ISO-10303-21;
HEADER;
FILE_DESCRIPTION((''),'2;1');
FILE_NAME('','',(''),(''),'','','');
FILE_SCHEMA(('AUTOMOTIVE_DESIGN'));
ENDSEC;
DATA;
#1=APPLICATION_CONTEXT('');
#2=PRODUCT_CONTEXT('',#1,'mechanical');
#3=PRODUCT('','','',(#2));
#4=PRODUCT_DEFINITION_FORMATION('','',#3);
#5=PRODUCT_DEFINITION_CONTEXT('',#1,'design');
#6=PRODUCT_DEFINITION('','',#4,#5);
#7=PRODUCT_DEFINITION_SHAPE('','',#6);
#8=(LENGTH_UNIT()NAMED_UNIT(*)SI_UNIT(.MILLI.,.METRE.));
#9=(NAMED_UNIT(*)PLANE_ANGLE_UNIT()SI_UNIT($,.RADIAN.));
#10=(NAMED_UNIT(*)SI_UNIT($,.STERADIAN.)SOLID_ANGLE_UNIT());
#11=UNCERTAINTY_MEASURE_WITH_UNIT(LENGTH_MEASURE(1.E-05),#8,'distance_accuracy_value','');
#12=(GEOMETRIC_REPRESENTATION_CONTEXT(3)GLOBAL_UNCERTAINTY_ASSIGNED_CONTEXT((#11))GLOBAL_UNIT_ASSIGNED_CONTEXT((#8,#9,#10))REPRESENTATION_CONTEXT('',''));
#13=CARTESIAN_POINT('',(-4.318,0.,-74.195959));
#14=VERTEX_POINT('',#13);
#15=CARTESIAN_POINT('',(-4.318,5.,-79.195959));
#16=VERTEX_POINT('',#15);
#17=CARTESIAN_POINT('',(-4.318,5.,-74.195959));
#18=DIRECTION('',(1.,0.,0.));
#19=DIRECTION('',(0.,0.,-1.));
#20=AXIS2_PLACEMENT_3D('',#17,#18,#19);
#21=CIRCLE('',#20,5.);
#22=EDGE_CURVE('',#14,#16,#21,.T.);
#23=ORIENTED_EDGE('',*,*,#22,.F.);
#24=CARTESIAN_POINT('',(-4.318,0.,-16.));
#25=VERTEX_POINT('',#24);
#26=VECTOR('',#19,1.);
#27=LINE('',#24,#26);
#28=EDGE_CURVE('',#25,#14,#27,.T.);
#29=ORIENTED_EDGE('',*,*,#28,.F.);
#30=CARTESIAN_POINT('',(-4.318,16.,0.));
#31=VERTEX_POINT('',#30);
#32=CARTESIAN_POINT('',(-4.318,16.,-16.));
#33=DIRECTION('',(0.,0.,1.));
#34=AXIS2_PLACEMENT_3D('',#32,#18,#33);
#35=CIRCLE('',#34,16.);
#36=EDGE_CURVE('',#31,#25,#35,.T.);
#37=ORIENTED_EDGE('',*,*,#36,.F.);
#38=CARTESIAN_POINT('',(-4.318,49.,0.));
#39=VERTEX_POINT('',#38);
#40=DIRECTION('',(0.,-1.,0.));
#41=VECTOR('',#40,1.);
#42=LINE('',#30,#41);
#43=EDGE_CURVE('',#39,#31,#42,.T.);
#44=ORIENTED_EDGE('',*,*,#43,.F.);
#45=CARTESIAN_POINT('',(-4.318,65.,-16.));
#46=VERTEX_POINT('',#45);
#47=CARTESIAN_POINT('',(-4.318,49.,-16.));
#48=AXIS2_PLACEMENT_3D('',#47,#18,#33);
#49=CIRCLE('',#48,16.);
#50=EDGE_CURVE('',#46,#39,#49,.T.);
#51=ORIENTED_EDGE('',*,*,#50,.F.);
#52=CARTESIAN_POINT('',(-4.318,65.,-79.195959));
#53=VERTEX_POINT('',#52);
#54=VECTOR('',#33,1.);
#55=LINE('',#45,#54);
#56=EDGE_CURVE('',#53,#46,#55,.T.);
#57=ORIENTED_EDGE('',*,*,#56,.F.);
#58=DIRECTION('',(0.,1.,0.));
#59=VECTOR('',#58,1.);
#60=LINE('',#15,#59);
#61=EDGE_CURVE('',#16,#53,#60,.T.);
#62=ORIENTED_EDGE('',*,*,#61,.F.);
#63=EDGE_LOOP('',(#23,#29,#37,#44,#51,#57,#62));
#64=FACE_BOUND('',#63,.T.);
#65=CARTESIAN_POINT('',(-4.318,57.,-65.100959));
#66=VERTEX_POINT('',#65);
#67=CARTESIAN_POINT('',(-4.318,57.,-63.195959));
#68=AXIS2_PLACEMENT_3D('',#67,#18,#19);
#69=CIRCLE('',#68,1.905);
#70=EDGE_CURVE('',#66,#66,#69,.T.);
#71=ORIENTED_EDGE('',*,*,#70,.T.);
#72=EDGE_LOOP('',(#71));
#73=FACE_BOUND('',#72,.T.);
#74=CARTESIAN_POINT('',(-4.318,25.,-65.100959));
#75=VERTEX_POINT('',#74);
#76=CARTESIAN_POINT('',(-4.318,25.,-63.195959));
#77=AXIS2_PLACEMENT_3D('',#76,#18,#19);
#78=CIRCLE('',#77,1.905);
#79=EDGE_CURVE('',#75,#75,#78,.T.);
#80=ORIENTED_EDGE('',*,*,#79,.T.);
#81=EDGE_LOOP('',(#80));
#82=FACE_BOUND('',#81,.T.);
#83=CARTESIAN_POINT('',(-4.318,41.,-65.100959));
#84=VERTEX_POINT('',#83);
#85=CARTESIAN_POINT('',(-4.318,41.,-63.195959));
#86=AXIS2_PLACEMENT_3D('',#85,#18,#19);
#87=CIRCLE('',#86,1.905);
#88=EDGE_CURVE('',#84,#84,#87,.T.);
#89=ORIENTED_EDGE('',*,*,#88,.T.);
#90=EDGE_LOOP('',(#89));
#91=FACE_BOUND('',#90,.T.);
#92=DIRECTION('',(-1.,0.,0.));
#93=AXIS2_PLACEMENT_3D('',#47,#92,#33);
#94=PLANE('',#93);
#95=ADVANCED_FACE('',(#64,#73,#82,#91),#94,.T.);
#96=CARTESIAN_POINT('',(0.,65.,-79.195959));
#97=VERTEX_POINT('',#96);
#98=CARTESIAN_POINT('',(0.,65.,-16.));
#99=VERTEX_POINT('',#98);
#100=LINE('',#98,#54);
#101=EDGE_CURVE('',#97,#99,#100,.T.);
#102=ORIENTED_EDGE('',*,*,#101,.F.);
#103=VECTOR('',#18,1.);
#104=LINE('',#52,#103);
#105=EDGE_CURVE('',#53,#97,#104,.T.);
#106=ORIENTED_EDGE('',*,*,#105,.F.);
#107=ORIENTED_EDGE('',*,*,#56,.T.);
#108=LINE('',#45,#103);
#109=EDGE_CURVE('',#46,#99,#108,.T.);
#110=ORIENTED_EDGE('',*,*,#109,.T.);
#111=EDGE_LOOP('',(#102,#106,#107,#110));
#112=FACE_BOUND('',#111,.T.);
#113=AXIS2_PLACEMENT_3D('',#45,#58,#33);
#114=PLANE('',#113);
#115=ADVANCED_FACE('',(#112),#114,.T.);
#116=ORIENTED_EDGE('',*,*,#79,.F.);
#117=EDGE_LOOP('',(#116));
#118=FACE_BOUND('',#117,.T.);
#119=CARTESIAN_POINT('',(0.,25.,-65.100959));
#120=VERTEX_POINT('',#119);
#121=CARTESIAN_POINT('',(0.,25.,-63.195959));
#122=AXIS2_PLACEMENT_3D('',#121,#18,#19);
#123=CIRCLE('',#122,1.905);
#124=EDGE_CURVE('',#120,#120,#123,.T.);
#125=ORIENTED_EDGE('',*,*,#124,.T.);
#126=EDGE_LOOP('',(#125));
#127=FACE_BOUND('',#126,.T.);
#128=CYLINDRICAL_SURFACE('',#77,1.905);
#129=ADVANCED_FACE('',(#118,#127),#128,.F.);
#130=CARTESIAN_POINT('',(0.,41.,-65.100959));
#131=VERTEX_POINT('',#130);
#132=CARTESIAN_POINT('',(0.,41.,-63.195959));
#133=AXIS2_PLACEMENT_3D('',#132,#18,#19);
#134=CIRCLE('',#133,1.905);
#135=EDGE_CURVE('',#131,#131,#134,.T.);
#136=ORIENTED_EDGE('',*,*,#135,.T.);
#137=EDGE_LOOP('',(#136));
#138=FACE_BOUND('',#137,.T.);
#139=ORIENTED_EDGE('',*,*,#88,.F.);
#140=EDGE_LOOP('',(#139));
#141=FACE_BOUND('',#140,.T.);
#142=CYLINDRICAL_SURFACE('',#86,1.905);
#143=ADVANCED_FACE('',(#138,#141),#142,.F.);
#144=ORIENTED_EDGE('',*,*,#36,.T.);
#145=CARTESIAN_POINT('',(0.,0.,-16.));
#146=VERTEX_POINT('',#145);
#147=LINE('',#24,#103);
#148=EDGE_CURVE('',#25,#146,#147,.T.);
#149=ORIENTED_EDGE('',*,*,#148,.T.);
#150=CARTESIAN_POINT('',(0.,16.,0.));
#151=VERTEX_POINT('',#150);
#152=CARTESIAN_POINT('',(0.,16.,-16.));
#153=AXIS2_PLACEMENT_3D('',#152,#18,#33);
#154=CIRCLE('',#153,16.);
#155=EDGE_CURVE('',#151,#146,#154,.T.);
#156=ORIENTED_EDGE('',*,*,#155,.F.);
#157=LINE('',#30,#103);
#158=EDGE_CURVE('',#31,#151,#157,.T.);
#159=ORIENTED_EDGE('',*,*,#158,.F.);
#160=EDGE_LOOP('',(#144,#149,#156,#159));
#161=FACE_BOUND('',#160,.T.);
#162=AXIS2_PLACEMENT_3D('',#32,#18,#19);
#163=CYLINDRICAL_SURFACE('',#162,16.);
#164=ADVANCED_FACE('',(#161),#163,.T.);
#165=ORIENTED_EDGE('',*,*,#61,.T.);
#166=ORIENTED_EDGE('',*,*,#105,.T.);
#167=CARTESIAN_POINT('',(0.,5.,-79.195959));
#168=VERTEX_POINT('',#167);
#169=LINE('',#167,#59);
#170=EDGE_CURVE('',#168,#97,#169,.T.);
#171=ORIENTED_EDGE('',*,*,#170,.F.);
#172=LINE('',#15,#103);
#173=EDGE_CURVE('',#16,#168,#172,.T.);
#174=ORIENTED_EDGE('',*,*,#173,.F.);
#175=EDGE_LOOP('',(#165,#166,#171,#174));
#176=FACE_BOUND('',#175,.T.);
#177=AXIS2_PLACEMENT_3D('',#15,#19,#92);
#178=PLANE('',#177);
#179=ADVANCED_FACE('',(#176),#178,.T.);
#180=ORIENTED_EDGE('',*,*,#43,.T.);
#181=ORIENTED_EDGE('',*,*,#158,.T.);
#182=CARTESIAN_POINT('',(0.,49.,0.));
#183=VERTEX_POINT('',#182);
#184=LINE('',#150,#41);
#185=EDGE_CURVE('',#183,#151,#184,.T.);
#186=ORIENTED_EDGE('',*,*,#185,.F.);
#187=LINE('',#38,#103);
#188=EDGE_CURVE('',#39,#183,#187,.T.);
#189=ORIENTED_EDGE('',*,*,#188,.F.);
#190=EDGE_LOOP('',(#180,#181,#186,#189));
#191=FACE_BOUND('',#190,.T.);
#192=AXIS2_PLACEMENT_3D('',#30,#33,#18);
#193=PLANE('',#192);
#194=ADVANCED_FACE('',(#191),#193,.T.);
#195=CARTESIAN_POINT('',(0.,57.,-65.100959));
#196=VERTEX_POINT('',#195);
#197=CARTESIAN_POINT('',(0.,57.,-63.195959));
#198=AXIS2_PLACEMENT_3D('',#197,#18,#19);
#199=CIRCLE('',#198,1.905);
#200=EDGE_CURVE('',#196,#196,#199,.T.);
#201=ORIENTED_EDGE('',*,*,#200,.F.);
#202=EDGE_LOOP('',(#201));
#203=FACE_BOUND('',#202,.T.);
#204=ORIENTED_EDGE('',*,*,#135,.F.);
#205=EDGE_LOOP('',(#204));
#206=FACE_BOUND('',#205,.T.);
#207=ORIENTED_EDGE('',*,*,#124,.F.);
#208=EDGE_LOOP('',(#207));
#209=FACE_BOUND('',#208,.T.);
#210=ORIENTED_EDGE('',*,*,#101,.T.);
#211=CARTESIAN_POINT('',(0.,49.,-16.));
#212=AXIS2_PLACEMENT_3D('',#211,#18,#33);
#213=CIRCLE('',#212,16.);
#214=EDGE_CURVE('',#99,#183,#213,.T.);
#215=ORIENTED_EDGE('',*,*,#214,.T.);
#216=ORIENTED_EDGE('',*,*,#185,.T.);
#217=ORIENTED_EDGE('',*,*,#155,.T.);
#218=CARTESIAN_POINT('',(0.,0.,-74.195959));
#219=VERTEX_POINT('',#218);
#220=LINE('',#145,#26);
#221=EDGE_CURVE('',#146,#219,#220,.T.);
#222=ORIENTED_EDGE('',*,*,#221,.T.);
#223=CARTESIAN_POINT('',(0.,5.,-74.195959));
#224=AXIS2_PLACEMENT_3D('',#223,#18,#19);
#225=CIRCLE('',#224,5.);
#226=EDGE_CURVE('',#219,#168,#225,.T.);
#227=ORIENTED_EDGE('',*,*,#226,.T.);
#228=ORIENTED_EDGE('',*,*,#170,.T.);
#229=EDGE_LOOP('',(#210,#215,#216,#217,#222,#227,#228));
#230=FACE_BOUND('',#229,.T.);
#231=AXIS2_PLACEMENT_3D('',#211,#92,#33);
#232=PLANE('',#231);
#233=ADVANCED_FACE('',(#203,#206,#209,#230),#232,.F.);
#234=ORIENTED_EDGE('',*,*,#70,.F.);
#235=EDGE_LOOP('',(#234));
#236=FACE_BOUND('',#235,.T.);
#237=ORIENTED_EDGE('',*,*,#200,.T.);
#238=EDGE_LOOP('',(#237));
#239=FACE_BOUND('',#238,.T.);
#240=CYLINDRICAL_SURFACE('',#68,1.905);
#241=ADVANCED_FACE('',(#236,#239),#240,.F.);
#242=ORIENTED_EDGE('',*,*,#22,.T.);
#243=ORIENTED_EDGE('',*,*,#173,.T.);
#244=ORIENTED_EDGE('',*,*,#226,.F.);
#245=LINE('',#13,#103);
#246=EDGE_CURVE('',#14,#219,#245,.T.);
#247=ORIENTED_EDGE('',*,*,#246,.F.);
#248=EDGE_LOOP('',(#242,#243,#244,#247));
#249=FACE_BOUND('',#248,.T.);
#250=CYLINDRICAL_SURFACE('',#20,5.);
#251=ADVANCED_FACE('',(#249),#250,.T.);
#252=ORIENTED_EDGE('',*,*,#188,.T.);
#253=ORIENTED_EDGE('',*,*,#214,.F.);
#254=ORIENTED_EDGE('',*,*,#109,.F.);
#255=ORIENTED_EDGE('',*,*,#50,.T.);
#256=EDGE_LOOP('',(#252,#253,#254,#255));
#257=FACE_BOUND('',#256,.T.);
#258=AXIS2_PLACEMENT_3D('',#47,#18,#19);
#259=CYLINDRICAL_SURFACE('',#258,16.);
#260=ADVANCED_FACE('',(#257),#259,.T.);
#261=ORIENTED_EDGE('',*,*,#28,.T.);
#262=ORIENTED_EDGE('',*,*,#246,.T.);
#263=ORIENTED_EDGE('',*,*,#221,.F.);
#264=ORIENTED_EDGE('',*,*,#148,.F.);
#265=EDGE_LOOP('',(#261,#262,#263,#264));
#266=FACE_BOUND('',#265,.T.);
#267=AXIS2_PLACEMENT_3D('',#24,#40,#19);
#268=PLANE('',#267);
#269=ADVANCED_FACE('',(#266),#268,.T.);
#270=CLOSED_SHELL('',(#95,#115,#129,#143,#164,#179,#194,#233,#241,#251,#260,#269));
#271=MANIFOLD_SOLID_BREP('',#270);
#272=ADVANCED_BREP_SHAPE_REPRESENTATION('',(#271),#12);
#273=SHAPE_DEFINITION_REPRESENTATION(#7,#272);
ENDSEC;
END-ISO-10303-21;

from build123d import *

# Parameters (mm, degrees)
SKETCH1_R           = 1.905
BOSS_EXTRUDE1_DEPTH = 4.318


with BuildPart() as part:
    # Sketch1 → Boss-Extrude1 (new body)
    with BuildSketch(Plane(origin=(0, 0, 0), x_dir=(0, 0, -1), z_dir=(1, 0, 0))):
        with BuildLine():
            Line((16, 0), (74.195959493, 0))
            ThreePointArc((74.195959493, 0), (77.731493399, 1.464466094), (79.195959493, 5))
            Line((79.195959493, 5), (79.195959493, 65))
            Line((79.195959493, 65), (16, 65))
            ThreePointArc((16, 65), (4.686291501, 60.313708499), (0, 49))
            Line((0, 49), (0, 16))
            ThreePointArc((0, 16), (4.686291501, 4.686291501), (16, 0))
        make_face()
        with Locations((63.195959493, 57)):
            Circle(SKETCH1_R, mode=Mode.SUBTRACT)
        with Locations((63.195959493, 41)):
            Circle(SKETCH1_R, mode=Mode.SUBTRACT)
        with Locations((63.195959493, 25)):
            Circle(SKETCH1_R, mode=Mode.SUBTRACT)
    extrude(amount=-BOSS_EXTRUDE1_DEPTH)


solid = part.part
